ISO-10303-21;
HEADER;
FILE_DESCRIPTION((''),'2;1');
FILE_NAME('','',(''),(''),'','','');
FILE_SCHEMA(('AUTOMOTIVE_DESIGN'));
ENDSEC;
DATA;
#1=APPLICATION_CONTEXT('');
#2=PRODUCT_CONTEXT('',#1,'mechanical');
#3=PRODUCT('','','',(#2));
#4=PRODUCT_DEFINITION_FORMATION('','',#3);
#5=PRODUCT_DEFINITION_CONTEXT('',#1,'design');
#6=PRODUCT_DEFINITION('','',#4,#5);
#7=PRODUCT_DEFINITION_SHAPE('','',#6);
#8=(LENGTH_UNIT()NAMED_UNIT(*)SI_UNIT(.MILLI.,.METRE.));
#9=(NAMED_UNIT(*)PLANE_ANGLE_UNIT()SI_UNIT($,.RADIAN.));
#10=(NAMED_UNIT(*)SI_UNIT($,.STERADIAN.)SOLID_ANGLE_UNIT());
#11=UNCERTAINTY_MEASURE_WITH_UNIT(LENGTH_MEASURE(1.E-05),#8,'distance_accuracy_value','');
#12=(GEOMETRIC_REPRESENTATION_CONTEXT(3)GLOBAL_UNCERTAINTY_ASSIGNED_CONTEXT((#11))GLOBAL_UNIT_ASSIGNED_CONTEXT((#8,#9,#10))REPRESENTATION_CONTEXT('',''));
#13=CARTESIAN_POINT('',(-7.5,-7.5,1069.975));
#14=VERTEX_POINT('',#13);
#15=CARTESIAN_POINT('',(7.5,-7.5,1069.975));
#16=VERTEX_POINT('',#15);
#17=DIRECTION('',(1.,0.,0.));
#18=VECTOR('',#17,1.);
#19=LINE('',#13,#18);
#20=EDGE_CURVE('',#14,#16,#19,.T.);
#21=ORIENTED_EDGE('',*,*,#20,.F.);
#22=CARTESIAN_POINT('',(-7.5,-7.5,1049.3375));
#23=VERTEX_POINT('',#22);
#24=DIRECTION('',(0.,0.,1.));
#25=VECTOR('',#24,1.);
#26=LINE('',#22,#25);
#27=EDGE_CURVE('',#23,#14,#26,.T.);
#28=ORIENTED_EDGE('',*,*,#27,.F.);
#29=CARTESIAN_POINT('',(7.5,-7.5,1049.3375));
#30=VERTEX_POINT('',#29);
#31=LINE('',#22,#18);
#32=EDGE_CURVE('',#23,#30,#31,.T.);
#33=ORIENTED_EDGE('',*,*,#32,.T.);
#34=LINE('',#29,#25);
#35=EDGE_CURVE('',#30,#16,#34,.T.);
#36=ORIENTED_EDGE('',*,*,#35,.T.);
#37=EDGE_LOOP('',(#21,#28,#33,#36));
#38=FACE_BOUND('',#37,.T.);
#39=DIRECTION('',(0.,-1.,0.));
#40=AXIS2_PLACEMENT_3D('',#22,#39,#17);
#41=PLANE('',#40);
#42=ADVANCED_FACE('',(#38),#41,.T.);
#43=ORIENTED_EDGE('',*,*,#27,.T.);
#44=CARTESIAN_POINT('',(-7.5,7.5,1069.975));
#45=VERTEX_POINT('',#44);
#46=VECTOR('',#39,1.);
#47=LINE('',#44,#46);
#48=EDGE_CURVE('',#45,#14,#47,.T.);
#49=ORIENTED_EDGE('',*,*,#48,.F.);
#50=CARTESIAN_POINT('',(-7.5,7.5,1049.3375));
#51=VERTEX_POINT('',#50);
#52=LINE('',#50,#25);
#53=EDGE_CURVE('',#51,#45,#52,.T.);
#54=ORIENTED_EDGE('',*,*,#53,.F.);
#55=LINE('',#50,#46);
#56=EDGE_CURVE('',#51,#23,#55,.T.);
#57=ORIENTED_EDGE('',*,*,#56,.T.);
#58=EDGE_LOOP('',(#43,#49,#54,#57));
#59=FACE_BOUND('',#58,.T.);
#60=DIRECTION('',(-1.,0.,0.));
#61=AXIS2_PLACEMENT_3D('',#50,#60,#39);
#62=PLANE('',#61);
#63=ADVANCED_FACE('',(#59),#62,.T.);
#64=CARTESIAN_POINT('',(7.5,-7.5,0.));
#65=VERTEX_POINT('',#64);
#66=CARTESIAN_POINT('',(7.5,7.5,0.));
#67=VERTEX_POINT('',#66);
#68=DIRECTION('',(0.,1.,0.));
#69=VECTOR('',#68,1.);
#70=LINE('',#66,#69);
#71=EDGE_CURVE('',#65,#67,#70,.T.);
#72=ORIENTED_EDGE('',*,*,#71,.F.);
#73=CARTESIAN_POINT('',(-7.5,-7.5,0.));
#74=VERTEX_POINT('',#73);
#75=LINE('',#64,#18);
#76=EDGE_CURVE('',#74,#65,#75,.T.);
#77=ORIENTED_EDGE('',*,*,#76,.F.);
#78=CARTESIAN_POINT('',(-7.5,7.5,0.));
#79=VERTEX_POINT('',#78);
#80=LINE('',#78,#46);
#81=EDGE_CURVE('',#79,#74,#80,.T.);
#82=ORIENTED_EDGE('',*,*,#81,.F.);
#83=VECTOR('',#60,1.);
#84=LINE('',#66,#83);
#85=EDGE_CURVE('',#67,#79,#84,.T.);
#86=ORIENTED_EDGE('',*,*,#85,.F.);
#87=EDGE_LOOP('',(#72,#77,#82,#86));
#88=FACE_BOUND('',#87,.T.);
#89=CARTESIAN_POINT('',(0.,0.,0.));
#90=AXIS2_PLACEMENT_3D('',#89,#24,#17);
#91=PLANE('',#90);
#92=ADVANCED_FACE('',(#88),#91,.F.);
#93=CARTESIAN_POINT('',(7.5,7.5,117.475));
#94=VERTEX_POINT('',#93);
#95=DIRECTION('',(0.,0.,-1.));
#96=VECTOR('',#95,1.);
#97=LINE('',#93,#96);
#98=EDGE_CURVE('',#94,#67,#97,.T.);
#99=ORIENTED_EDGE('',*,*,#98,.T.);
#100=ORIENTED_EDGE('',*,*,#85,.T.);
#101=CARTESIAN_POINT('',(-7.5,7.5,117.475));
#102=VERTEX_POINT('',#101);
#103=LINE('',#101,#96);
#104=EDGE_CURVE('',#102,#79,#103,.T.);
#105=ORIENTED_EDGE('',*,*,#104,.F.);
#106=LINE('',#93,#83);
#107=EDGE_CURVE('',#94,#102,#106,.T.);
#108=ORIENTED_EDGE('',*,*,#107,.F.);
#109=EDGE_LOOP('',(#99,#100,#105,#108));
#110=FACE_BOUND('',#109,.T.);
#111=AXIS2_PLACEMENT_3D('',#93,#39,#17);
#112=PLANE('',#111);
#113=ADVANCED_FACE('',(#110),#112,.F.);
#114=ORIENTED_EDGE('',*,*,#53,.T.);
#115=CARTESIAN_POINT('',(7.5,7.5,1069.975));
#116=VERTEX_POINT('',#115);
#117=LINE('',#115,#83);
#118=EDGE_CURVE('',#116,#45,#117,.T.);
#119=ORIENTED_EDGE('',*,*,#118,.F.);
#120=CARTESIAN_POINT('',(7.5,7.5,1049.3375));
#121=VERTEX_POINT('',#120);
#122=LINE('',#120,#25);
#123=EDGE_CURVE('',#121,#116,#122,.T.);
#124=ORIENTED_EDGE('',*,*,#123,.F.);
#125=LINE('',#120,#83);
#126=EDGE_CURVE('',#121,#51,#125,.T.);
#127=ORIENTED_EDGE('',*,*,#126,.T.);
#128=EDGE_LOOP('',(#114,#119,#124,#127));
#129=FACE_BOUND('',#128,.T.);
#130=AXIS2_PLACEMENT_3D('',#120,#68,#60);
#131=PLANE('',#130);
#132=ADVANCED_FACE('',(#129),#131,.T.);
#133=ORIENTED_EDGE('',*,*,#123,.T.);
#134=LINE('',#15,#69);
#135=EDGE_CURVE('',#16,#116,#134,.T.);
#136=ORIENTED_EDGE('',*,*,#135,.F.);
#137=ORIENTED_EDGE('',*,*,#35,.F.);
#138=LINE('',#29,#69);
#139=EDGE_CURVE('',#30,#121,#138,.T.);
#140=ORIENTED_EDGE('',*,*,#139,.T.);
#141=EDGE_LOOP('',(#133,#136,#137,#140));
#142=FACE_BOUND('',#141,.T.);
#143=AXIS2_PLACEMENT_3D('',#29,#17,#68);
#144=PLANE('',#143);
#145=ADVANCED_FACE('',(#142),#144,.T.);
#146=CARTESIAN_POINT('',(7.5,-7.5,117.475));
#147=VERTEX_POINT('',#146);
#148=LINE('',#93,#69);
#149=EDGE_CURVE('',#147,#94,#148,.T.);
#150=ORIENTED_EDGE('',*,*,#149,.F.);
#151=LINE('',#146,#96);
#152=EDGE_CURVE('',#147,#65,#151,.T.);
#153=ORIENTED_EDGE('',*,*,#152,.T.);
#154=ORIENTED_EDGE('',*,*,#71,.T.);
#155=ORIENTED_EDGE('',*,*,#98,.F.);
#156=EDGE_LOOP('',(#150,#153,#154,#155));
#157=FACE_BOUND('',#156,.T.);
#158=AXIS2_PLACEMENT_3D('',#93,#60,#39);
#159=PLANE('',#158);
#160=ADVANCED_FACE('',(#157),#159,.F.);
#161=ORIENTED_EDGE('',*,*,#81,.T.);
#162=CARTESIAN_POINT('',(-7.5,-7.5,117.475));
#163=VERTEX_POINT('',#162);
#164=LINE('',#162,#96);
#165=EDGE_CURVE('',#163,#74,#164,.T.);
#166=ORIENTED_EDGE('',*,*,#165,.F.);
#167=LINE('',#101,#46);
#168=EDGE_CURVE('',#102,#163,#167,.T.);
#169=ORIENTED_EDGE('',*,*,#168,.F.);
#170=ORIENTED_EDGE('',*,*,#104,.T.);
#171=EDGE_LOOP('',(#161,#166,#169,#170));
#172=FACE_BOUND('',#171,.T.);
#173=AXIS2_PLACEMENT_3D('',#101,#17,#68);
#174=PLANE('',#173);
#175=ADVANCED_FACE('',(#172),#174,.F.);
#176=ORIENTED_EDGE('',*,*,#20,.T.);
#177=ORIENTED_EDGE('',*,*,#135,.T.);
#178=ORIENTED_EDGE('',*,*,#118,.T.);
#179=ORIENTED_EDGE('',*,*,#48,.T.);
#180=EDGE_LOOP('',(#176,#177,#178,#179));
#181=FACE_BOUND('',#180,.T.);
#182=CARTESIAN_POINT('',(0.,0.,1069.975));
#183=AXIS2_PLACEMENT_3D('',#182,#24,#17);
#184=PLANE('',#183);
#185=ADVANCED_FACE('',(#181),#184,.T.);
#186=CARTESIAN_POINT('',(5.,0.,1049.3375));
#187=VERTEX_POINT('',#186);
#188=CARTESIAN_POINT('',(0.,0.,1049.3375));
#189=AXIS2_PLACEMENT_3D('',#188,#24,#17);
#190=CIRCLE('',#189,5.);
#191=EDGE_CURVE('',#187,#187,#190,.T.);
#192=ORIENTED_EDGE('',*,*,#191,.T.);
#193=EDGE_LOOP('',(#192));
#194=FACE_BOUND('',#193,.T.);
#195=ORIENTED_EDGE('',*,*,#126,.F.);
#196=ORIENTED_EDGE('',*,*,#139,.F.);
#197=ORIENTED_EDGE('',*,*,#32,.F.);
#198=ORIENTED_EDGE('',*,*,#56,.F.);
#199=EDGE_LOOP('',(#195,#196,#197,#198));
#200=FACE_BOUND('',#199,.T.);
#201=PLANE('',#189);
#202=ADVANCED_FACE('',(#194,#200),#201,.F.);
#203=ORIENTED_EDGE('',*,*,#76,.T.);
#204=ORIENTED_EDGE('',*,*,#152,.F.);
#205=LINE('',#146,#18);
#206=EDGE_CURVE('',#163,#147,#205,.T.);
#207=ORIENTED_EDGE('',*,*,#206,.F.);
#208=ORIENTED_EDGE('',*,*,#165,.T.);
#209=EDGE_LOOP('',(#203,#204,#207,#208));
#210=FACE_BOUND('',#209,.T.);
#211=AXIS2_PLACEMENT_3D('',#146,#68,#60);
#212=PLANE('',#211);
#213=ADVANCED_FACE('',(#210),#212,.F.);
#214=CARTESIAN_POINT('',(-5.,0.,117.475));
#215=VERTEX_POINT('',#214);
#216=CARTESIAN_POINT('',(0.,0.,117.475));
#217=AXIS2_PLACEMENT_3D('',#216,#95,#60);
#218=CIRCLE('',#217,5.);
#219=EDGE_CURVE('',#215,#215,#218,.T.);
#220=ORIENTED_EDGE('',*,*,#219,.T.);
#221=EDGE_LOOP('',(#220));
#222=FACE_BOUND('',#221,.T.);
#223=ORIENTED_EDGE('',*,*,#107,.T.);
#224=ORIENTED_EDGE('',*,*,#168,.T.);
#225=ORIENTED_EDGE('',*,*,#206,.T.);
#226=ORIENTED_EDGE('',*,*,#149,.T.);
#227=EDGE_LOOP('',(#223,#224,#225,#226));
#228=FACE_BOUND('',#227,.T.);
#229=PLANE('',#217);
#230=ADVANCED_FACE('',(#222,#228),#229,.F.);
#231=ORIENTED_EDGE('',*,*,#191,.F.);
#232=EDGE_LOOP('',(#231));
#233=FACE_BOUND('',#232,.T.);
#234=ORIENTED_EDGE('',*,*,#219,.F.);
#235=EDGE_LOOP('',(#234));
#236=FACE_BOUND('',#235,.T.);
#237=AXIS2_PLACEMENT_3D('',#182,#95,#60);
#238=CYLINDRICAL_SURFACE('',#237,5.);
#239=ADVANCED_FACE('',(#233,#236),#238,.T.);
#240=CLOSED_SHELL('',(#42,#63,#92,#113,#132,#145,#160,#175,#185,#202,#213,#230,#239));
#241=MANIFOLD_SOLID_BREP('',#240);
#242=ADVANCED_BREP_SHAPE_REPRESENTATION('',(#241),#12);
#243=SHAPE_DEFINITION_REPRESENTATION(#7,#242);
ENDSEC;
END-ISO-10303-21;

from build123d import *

# Parameters (mm, degrees)
SKETCH1_R           = 5
BOSS_EXTRUDE1_DEPTH = 1069.975
SKETCH2_W           = 15
SKETCH2_H           = 15
BOSS_EXTRUDE2_DEPTH = 117.475
SKETCH3_W           = 15
SKETCH3_H           = 15
BOSS_EXTRUDE3_DEPTH = 20.6375


with BuildPart() as part:
    # Sketch1 → Boss-Extrude1 (new body)
    with BuildSketch(Plane.XY):
        Circle(SKETCH1_R)
    extrude(amount=BOSS_EXTRUDE1_DEPTH)

    # Sketch2 → Boss-Extrude2 (add)
    with BuildSketch(Plane.XY):
        Rectangle(SKETCH2_W, SKETCH2_H)
    extrude(amount=BOSS_EXTRUDE2_DEPTH)

    # Sketch3 → Boss-Extrude3 (add)
    with BuildSketch(Plane.XY.offset(1069.975)):
        Rectangle(SKETCH3_W, SKETCH3_H)
    extrude(amount=-BOSS_EXTRUDE3_DEPTH)


solid = part.part
